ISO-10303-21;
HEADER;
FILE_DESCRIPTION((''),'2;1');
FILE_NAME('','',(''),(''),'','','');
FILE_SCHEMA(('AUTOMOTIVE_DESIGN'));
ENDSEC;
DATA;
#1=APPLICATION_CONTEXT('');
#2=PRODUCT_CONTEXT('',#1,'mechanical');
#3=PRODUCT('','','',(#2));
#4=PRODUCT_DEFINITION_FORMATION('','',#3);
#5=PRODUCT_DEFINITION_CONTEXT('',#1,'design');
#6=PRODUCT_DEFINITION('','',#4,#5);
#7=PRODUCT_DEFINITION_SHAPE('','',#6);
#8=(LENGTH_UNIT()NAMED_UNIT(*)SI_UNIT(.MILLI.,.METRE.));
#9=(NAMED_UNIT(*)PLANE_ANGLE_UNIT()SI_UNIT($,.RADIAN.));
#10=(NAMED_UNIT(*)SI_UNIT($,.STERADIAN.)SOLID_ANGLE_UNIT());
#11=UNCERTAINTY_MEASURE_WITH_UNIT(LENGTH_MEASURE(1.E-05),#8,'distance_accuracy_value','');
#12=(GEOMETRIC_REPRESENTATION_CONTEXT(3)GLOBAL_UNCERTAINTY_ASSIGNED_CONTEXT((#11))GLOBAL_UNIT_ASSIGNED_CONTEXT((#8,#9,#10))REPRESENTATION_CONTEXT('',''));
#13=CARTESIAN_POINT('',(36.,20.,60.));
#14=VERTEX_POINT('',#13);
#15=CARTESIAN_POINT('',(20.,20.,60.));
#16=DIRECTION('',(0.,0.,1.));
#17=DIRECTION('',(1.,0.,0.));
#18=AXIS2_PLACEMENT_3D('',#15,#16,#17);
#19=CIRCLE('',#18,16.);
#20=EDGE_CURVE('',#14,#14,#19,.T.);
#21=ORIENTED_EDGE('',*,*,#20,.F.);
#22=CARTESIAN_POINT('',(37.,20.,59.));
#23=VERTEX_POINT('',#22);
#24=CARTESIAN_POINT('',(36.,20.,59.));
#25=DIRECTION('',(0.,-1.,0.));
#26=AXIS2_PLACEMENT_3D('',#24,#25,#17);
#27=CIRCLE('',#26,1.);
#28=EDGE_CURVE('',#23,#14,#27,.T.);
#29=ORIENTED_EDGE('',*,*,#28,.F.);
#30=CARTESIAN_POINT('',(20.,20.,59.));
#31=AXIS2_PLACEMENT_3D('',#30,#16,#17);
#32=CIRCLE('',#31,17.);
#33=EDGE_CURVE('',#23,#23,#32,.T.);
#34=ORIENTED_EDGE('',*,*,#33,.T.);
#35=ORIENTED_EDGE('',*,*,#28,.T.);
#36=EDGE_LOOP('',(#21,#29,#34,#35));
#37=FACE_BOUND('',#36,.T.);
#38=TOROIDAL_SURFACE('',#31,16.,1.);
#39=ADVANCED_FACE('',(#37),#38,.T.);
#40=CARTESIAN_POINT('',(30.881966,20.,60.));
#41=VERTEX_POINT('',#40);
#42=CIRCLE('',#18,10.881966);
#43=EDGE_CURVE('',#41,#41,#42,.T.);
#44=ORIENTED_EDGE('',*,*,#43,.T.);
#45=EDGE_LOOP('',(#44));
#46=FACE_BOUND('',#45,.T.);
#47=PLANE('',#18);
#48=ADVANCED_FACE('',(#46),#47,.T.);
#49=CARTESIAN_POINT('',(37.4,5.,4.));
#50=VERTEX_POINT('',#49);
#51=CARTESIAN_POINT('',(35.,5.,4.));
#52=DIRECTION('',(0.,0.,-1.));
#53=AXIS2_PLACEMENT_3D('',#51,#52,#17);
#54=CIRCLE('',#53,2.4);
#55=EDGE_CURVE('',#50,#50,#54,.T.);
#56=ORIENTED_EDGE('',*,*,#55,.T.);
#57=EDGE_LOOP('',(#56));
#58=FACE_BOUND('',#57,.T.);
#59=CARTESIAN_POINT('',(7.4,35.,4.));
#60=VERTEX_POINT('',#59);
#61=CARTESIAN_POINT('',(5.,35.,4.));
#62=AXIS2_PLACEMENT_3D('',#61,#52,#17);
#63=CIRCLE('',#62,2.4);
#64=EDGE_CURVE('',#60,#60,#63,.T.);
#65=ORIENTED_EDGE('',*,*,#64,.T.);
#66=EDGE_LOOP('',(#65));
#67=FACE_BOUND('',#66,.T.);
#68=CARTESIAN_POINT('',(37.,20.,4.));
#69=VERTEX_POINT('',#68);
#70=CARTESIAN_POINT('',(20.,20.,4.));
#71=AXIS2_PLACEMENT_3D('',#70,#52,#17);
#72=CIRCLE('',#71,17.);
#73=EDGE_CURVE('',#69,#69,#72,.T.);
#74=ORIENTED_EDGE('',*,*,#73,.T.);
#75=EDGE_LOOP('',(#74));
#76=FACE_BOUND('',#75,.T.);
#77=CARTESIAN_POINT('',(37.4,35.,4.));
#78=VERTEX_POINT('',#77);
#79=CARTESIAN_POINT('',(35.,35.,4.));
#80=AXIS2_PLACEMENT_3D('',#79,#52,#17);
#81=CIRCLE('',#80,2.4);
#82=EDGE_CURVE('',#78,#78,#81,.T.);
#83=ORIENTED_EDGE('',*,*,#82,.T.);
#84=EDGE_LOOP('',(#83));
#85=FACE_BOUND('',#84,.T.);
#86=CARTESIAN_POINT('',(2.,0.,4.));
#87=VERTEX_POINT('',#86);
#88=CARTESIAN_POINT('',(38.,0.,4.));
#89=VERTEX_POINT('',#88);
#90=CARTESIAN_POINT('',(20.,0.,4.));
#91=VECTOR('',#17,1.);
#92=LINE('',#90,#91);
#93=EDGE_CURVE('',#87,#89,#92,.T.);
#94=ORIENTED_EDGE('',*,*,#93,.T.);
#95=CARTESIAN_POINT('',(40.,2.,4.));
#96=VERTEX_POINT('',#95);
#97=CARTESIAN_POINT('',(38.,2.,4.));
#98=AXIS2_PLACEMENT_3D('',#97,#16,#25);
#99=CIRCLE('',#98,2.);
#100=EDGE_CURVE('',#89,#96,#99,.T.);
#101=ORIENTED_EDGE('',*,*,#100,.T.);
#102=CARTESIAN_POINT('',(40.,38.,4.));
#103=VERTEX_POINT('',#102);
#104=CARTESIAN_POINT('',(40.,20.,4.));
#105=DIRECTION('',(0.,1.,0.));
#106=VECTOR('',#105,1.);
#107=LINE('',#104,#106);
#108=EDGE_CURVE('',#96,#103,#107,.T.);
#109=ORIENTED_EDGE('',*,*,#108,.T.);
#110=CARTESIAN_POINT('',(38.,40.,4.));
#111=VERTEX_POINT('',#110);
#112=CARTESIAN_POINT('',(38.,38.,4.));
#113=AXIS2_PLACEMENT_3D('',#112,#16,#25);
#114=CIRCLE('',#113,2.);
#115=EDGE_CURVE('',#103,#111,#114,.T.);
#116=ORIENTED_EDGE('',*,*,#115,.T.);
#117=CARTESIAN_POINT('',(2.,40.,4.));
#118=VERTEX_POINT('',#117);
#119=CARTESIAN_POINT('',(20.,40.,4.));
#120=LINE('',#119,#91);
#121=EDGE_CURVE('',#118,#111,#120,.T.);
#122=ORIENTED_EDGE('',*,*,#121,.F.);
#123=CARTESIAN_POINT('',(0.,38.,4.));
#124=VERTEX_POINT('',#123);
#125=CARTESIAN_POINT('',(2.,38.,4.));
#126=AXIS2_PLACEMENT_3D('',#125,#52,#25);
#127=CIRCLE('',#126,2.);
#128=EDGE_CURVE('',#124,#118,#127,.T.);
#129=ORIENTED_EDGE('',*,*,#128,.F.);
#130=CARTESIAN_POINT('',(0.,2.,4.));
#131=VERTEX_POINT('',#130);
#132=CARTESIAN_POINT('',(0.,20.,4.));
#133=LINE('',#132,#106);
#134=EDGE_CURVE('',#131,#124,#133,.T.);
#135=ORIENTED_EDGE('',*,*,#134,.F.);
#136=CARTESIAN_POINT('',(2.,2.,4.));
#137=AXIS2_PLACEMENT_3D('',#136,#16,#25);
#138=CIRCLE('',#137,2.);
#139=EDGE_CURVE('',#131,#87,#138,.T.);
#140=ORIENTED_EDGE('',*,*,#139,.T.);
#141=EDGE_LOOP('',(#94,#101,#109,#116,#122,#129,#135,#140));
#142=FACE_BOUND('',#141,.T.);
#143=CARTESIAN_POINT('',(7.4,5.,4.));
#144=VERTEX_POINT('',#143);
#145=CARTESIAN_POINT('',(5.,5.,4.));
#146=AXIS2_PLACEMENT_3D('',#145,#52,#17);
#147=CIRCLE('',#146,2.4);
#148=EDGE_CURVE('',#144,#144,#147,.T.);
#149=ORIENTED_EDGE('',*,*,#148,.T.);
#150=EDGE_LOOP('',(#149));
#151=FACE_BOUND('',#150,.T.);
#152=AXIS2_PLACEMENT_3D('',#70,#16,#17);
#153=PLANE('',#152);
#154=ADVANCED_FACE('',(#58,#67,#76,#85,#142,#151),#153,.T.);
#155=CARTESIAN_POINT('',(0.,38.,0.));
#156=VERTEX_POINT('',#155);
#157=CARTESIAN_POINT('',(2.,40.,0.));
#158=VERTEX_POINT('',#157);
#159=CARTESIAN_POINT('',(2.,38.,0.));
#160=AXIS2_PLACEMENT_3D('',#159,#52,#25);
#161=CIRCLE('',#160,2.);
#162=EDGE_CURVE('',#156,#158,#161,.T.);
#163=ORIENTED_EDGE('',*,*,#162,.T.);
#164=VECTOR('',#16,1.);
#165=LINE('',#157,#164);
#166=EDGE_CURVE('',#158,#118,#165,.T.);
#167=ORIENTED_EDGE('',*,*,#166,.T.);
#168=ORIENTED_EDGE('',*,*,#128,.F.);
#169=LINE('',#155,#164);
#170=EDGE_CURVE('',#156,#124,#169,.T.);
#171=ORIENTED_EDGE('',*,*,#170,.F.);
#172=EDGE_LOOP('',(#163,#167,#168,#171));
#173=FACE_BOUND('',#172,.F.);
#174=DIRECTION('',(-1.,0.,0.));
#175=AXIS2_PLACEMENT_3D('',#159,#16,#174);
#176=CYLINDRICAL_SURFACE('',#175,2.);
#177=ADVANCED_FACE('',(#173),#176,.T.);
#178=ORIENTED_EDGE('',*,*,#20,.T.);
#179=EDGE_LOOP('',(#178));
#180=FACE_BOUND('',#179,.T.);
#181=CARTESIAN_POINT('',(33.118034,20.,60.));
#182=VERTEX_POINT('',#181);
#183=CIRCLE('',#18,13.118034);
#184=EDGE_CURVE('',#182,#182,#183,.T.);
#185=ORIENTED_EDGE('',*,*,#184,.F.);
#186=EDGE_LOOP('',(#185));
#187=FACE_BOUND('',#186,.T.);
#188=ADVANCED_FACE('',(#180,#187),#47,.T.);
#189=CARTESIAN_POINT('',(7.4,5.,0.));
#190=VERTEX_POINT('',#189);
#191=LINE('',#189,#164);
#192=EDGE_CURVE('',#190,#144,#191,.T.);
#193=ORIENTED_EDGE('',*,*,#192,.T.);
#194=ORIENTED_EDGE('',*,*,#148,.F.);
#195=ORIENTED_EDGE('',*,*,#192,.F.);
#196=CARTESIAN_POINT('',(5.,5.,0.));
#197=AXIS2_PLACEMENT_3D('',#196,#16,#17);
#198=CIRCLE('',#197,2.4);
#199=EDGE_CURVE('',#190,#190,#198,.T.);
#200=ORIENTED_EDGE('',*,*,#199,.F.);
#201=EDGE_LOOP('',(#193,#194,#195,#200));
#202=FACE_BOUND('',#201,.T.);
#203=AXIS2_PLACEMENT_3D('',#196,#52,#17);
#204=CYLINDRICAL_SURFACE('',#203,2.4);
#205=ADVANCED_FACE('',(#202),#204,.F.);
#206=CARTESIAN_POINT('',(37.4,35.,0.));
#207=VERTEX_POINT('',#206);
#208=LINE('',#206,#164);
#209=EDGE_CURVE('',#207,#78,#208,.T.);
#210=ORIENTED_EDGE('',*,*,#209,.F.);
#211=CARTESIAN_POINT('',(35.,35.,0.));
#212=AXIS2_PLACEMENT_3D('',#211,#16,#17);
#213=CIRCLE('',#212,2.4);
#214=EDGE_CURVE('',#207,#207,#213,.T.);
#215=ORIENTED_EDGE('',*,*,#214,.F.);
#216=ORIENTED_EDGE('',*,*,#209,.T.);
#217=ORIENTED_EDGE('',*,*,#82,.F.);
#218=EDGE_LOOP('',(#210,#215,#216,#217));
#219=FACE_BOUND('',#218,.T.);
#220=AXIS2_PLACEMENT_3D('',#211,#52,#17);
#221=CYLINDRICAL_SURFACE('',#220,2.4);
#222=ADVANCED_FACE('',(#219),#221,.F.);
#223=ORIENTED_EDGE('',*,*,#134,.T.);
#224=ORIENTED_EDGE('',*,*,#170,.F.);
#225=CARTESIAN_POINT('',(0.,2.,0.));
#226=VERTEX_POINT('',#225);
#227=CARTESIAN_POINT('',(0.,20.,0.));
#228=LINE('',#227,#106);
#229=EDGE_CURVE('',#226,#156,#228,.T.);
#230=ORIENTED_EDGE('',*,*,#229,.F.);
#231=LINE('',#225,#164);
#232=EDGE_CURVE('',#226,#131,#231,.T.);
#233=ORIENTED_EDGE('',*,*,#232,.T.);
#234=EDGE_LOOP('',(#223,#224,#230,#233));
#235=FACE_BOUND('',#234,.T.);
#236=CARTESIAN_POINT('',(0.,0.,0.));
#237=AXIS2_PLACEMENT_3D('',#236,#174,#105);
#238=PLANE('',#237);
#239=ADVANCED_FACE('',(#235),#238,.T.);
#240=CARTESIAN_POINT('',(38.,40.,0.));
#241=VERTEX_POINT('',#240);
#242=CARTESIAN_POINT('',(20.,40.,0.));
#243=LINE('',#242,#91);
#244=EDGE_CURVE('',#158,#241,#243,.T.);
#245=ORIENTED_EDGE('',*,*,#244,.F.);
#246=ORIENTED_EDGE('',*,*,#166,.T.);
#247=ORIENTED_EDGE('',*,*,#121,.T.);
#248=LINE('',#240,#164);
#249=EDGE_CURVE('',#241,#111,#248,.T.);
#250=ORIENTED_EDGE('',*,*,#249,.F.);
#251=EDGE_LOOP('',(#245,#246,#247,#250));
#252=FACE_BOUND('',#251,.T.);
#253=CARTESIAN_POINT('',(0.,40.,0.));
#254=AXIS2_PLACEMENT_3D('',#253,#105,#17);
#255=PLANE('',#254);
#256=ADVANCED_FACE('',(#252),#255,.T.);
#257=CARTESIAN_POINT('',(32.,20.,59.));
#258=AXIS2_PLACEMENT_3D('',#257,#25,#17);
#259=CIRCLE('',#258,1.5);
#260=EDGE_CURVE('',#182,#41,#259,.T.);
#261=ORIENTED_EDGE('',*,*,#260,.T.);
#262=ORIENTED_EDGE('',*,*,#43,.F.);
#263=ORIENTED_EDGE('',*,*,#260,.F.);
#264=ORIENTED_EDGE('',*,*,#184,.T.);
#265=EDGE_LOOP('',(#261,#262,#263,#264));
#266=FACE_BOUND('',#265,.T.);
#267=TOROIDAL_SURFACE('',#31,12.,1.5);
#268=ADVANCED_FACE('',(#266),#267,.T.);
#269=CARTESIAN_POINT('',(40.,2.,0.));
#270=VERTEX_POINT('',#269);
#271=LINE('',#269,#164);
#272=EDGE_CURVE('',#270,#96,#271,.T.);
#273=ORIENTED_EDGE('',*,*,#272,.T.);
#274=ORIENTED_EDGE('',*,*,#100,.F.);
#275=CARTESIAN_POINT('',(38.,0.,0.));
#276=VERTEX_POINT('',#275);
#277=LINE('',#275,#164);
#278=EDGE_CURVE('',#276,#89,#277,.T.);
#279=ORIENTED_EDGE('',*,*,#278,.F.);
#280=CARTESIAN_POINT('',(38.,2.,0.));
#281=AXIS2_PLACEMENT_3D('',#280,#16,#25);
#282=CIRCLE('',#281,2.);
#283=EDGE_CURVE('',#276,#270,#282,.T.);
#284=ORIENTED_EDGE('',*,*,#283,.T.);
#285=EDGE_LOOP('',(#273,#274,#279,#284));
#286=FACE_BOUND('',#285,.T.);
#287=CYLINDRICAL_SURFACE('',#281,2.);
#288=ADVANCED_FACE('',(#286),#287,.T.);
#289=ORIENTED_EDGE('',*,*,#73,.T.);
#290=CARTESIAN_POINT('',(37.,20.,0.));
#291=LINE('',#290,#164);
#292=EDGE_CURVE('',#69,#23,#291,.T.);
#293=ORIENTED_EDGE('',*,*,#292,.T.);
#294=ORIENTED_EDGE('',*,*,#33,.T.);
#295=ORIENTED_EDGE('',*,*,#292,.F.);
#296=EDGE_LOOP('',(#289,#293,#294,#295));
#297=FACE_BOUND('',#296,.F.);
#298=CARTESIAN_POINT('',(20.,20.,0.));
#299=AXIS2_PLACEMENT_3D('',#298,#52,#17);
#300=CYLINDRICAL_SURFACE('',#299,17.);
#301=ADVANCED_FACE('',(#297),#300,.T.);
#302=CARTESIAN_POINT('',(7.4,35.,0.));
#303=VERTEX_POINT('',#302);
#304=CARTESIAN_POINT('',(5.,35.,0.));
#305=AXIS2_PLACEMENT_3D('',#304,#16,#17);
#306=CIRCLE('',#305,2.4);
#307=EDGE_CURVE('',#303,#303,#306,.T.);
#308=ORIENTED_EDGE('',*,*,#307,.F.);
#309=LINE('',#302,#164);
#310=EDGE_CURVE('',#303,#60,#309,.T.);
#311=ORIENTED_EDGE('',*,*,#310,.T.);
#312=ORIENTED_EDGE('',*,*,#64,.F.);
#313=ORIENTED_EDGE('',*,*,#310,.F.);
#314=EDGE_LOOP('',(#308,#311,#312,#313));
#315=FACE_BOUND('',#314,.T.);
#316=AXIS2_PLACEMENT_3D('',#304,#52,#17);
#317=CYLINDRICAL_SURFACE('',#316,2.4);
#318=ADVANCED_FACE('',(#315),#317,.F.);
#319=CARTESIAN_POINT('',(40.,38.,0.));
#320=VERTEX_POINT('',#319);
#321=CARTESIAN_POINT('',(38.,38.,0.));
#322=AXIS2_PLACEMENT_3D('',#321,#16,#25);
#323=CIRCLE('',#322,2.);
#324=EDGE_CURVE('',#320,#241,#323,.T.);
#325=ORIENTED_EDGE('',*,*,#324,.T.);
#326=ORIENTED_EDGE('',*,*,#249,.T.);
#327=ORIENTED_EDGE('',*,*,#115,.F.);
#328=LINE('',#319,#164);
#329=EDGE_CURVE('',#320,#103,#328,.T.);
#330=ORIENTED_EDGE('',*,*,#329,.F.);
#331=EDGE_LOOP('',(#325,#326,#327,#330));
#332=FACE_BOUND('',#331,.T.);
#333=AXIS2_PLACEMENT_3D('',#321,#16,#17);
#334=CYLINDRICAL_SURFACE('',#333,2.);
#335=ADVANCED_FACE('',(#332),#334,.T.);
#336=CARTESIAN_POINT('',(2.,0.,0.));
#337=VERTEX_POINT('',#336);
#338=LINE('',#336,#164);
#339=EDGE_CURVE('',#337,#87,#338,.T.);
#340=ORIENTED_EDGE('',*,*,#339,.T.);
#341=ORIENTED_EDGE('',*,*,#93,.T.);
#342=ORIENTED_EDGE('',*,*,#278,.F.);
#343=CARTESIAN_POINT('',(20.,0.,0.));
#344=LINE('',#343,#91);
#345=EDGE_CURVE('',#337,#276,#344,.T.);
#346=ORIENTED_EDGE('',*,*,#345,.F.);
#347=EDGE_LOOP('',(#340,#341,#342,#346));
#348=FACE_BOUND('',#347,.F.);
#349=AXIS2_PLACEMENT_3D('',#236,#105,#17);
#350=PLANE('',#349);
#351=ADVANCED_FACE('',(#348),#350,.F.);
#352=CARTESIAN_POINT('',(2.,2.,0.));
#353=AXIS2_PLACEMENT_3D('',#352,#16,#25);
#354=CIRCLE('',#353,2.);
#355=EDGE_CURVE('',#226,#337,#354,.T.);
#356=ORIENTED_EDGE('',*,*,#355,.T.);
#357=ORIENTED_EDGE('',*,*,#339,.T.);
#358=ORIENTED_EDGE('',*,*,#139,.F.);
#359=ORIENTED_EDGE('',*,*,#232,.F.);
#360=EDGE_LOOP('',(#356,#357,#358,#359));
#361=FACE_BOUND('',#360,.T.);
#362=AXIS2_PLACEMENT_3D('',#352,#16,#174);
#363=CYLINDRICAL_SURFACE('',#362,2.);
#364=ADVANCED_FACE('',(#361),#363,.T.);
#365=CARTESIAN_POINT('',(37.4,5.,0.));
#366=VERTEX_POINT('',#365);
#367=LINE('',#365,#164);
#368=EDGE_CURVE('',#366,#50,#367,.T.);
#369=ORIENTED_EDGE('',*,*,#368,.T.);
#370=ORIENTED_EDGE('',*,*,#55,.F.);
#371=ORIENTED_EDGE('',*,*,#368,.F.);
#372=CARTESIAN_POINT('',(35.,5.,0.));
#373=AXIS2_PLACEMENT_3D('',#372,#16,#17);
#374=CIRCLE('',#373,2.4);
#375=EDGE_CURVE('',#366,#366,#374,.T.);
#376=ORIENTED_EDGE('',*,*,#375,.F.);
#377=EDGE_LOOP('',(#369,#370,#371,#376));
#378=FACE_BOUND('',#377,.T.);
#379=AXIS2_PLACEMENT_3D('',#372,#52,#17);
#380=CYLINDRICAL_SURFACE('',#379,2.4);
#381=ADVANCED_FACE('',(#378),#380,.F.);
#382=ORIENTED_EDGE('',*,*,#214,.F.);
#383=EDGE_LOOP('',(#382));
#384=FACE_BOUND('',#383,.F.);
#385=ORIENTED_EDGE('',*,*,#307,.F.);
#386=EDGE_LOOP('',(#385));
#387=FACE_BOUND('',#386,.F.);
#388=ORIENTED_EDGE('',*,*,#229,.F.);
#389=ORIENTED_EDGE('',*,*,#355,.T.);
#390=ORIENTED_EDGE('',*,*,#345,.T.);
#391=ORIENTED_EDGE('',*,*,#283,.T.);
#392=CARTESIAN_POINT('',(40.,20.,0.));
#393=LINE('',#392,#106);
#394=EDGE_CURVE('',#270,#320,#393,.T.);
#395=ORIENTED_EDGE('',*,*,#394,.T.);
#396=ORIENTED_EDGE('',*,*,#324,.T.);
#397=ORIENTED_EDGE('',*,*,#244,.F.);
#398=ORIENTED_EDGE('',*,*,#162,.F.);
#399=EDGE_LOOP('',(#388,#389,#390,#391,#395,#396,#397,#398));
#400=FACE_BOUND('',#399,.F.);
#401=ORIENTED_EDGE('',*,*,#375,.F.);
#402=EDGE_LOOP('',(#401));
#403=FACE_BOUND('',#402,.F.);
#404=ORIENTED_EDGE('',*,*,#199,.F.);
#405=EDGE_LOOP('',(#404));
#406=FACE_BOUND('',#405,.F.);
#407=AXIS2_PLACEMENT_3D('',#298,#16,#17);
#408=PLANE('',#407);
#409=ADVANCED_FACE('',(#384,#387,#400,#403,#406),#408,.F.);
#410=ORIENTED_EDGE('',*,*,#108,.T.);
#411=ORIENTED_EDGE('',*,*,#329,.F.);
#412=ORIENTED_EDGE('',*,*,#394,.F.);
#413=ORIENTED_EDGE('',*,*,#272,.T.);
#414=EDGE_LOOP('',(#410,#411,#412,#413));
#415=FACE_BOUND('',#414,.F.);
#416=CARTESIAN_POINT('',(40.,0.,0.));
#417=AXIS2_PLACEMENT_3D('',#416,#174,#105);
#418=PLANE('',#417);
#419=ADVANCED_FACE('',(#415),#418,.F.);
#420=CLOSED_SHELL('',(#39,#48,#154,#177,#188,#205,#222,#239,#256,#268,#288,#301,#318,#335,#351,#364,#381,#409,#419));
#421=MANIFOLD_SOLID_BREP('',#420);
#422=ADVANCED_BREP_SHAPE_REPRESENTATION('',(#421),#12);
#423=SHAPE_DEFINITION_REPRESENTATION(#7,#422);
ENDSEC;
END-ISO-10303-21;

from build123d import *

# Parameters (mm, degrees)
CYLINDER004_R     = 17
CYLINDER004_DEPTH = 60
FILLET001_R       = 1
TORUS_R           = 1.5
CYLINDER_R        = 2.4
CYLINDER_DEPTH    = 10
CYLINDER001_R     = 2.4
CYLINDER001_DEPTH = 10
CYLINDER002_R     = 2.4
CYLINDER002_DEPTH = 10
CYLINDER003_R     = 2.4
CYLINDER003_DEPTH = 10
BOX_W             = 40
BOX_H             = 40
BOX_DEPTH         = 4
FILLET_R          = 2
FILLET002_R       = 1


with BuildPart() as cylinder004:
    # Cylinder004 → Cylinder004 (new body)
    with BuildSketch(Plane(origin=(20, 20, 0), x_dir=(1, 0, 0), z_dir=(0, 0, 1))):
        Circle(CYLINDER004_R)
    extrude(amount=CYLINDER004_DEPTH)


with BuildPart() as fillet001:
    # Fillet001 base: copy of Cylinder004
    add(cylinder004.part)

    # Fillet001
    fillet001_edges = [fillet001.edges().sort_by_distance(p)[0] for p in [
        (3, 20, 60),
    ]]
    fillet(fillet001_edges, radius=FILLET001_R)


with BuildPart() as cut001:
    # Torus → Torus (revolve)
    with BuildSketch(Plane(origin=(20, 20, 59), x_dir=(1, 0, 0), z_dir=(0, -1, 0))):
        with Locations((12, 0)):
            Circle(TORUS_R)
    revolve(axis=Axis((20, 20, 59), (0, 0, 1)))

    # Cut001: cut Fillet001
    add(fillet001.part, mode=Mode.SUBTRACT)


with BuildPart() as cylinder:
    # Cylinder → Cylinder (new body)
    with BuildSketch(Plane(origin=(5, 5, 0), x_dir=(1, 0, 0), z_dir=(0, 0, 1))):
        Circle(CYLINDER_R)
    extrude(amount=CYLINDER_DEPTH)


with BuildPart() as fusion:
    # Cylinder001 → Cylinder001 (new body)
    with BuildSketch(Plane(origin=(5, 35, 0), x_dir=(1, 0, 0), z_dir=(0, 0, 1))):
        Circle(CYLINDER001_R)
    extrude(amount=CYLINDER001_DEPTH)

    # Fusion: union Cylinder
    add(cylinder.part)


with BuildPart() as cylinder002:
    # Cylinder002 → Cylinder002 (new body)
    with BuildSketch(Plane(origin=(5, 5, 0), x_dir=(1, 0, 0), z_dir=(0, 0, 1))):
        Circle(CYLINDER002_R)
    extrude(amount=CYLINDER002_DEPTH)


with BuildPart() as fusion002:
    # Cylinder003 → Cylinder003 (new body)
    with BuildSketch(Plane(origin=(5, 35, 0), x_dir=(1, 0, 0), z_dir=(0, 0, 1))):
        Circle(CYLINDER003_R)
    extrude(amount=CYLINDER003_DEPTH)

    # Fusion001: union Cylinder002
    add(cylinder002.part)


with BuildPart() as fusion002_1:
    # Fusion001 placement: moved
    add(fusion002.part.moved(Location((30, 0, 0))))

    # Fusion002: union Fusion
    add(fusion.part)


with BuildPart() as cut:
    # Box → Box (new body)
    with BuildSketch(Plane.XY):
        with Locations((20, 20)):
            Rectangle(BOX_W, BOX_H)
    extrude(amount=BOX_DEPTH)

    # Fillet
    fillet_edges = [cut.edges().sort_by_distance(p)[0] for p in [
        (0, 0, 2),
        (0, 40, 2),
        (40, 0, 2),
        (40, 40, 2),
    ]]
    fillet(fillet_edges, radius=FILLET_R)

    # Cut: cut Fusion002
    add(fusion002_1.part, mode=Mode.SUBTRACT)


with BuildPart() as fusion003:
    # Fillet002 base: copy of Cylinder004
    add(cylinder004.part)

    # Fillet002
    fillet002_edges = [fusion003.edges().sort_by_distance(p)[0] for p in [
        (3, 20, 60),
    ]]
    fillet(fillet002_edges, radius=FILLET002_R)

    # Fusion003: union Cut001, Cut
    add(cut001.part)
    add(cut.part)


solid = fusion003.part
